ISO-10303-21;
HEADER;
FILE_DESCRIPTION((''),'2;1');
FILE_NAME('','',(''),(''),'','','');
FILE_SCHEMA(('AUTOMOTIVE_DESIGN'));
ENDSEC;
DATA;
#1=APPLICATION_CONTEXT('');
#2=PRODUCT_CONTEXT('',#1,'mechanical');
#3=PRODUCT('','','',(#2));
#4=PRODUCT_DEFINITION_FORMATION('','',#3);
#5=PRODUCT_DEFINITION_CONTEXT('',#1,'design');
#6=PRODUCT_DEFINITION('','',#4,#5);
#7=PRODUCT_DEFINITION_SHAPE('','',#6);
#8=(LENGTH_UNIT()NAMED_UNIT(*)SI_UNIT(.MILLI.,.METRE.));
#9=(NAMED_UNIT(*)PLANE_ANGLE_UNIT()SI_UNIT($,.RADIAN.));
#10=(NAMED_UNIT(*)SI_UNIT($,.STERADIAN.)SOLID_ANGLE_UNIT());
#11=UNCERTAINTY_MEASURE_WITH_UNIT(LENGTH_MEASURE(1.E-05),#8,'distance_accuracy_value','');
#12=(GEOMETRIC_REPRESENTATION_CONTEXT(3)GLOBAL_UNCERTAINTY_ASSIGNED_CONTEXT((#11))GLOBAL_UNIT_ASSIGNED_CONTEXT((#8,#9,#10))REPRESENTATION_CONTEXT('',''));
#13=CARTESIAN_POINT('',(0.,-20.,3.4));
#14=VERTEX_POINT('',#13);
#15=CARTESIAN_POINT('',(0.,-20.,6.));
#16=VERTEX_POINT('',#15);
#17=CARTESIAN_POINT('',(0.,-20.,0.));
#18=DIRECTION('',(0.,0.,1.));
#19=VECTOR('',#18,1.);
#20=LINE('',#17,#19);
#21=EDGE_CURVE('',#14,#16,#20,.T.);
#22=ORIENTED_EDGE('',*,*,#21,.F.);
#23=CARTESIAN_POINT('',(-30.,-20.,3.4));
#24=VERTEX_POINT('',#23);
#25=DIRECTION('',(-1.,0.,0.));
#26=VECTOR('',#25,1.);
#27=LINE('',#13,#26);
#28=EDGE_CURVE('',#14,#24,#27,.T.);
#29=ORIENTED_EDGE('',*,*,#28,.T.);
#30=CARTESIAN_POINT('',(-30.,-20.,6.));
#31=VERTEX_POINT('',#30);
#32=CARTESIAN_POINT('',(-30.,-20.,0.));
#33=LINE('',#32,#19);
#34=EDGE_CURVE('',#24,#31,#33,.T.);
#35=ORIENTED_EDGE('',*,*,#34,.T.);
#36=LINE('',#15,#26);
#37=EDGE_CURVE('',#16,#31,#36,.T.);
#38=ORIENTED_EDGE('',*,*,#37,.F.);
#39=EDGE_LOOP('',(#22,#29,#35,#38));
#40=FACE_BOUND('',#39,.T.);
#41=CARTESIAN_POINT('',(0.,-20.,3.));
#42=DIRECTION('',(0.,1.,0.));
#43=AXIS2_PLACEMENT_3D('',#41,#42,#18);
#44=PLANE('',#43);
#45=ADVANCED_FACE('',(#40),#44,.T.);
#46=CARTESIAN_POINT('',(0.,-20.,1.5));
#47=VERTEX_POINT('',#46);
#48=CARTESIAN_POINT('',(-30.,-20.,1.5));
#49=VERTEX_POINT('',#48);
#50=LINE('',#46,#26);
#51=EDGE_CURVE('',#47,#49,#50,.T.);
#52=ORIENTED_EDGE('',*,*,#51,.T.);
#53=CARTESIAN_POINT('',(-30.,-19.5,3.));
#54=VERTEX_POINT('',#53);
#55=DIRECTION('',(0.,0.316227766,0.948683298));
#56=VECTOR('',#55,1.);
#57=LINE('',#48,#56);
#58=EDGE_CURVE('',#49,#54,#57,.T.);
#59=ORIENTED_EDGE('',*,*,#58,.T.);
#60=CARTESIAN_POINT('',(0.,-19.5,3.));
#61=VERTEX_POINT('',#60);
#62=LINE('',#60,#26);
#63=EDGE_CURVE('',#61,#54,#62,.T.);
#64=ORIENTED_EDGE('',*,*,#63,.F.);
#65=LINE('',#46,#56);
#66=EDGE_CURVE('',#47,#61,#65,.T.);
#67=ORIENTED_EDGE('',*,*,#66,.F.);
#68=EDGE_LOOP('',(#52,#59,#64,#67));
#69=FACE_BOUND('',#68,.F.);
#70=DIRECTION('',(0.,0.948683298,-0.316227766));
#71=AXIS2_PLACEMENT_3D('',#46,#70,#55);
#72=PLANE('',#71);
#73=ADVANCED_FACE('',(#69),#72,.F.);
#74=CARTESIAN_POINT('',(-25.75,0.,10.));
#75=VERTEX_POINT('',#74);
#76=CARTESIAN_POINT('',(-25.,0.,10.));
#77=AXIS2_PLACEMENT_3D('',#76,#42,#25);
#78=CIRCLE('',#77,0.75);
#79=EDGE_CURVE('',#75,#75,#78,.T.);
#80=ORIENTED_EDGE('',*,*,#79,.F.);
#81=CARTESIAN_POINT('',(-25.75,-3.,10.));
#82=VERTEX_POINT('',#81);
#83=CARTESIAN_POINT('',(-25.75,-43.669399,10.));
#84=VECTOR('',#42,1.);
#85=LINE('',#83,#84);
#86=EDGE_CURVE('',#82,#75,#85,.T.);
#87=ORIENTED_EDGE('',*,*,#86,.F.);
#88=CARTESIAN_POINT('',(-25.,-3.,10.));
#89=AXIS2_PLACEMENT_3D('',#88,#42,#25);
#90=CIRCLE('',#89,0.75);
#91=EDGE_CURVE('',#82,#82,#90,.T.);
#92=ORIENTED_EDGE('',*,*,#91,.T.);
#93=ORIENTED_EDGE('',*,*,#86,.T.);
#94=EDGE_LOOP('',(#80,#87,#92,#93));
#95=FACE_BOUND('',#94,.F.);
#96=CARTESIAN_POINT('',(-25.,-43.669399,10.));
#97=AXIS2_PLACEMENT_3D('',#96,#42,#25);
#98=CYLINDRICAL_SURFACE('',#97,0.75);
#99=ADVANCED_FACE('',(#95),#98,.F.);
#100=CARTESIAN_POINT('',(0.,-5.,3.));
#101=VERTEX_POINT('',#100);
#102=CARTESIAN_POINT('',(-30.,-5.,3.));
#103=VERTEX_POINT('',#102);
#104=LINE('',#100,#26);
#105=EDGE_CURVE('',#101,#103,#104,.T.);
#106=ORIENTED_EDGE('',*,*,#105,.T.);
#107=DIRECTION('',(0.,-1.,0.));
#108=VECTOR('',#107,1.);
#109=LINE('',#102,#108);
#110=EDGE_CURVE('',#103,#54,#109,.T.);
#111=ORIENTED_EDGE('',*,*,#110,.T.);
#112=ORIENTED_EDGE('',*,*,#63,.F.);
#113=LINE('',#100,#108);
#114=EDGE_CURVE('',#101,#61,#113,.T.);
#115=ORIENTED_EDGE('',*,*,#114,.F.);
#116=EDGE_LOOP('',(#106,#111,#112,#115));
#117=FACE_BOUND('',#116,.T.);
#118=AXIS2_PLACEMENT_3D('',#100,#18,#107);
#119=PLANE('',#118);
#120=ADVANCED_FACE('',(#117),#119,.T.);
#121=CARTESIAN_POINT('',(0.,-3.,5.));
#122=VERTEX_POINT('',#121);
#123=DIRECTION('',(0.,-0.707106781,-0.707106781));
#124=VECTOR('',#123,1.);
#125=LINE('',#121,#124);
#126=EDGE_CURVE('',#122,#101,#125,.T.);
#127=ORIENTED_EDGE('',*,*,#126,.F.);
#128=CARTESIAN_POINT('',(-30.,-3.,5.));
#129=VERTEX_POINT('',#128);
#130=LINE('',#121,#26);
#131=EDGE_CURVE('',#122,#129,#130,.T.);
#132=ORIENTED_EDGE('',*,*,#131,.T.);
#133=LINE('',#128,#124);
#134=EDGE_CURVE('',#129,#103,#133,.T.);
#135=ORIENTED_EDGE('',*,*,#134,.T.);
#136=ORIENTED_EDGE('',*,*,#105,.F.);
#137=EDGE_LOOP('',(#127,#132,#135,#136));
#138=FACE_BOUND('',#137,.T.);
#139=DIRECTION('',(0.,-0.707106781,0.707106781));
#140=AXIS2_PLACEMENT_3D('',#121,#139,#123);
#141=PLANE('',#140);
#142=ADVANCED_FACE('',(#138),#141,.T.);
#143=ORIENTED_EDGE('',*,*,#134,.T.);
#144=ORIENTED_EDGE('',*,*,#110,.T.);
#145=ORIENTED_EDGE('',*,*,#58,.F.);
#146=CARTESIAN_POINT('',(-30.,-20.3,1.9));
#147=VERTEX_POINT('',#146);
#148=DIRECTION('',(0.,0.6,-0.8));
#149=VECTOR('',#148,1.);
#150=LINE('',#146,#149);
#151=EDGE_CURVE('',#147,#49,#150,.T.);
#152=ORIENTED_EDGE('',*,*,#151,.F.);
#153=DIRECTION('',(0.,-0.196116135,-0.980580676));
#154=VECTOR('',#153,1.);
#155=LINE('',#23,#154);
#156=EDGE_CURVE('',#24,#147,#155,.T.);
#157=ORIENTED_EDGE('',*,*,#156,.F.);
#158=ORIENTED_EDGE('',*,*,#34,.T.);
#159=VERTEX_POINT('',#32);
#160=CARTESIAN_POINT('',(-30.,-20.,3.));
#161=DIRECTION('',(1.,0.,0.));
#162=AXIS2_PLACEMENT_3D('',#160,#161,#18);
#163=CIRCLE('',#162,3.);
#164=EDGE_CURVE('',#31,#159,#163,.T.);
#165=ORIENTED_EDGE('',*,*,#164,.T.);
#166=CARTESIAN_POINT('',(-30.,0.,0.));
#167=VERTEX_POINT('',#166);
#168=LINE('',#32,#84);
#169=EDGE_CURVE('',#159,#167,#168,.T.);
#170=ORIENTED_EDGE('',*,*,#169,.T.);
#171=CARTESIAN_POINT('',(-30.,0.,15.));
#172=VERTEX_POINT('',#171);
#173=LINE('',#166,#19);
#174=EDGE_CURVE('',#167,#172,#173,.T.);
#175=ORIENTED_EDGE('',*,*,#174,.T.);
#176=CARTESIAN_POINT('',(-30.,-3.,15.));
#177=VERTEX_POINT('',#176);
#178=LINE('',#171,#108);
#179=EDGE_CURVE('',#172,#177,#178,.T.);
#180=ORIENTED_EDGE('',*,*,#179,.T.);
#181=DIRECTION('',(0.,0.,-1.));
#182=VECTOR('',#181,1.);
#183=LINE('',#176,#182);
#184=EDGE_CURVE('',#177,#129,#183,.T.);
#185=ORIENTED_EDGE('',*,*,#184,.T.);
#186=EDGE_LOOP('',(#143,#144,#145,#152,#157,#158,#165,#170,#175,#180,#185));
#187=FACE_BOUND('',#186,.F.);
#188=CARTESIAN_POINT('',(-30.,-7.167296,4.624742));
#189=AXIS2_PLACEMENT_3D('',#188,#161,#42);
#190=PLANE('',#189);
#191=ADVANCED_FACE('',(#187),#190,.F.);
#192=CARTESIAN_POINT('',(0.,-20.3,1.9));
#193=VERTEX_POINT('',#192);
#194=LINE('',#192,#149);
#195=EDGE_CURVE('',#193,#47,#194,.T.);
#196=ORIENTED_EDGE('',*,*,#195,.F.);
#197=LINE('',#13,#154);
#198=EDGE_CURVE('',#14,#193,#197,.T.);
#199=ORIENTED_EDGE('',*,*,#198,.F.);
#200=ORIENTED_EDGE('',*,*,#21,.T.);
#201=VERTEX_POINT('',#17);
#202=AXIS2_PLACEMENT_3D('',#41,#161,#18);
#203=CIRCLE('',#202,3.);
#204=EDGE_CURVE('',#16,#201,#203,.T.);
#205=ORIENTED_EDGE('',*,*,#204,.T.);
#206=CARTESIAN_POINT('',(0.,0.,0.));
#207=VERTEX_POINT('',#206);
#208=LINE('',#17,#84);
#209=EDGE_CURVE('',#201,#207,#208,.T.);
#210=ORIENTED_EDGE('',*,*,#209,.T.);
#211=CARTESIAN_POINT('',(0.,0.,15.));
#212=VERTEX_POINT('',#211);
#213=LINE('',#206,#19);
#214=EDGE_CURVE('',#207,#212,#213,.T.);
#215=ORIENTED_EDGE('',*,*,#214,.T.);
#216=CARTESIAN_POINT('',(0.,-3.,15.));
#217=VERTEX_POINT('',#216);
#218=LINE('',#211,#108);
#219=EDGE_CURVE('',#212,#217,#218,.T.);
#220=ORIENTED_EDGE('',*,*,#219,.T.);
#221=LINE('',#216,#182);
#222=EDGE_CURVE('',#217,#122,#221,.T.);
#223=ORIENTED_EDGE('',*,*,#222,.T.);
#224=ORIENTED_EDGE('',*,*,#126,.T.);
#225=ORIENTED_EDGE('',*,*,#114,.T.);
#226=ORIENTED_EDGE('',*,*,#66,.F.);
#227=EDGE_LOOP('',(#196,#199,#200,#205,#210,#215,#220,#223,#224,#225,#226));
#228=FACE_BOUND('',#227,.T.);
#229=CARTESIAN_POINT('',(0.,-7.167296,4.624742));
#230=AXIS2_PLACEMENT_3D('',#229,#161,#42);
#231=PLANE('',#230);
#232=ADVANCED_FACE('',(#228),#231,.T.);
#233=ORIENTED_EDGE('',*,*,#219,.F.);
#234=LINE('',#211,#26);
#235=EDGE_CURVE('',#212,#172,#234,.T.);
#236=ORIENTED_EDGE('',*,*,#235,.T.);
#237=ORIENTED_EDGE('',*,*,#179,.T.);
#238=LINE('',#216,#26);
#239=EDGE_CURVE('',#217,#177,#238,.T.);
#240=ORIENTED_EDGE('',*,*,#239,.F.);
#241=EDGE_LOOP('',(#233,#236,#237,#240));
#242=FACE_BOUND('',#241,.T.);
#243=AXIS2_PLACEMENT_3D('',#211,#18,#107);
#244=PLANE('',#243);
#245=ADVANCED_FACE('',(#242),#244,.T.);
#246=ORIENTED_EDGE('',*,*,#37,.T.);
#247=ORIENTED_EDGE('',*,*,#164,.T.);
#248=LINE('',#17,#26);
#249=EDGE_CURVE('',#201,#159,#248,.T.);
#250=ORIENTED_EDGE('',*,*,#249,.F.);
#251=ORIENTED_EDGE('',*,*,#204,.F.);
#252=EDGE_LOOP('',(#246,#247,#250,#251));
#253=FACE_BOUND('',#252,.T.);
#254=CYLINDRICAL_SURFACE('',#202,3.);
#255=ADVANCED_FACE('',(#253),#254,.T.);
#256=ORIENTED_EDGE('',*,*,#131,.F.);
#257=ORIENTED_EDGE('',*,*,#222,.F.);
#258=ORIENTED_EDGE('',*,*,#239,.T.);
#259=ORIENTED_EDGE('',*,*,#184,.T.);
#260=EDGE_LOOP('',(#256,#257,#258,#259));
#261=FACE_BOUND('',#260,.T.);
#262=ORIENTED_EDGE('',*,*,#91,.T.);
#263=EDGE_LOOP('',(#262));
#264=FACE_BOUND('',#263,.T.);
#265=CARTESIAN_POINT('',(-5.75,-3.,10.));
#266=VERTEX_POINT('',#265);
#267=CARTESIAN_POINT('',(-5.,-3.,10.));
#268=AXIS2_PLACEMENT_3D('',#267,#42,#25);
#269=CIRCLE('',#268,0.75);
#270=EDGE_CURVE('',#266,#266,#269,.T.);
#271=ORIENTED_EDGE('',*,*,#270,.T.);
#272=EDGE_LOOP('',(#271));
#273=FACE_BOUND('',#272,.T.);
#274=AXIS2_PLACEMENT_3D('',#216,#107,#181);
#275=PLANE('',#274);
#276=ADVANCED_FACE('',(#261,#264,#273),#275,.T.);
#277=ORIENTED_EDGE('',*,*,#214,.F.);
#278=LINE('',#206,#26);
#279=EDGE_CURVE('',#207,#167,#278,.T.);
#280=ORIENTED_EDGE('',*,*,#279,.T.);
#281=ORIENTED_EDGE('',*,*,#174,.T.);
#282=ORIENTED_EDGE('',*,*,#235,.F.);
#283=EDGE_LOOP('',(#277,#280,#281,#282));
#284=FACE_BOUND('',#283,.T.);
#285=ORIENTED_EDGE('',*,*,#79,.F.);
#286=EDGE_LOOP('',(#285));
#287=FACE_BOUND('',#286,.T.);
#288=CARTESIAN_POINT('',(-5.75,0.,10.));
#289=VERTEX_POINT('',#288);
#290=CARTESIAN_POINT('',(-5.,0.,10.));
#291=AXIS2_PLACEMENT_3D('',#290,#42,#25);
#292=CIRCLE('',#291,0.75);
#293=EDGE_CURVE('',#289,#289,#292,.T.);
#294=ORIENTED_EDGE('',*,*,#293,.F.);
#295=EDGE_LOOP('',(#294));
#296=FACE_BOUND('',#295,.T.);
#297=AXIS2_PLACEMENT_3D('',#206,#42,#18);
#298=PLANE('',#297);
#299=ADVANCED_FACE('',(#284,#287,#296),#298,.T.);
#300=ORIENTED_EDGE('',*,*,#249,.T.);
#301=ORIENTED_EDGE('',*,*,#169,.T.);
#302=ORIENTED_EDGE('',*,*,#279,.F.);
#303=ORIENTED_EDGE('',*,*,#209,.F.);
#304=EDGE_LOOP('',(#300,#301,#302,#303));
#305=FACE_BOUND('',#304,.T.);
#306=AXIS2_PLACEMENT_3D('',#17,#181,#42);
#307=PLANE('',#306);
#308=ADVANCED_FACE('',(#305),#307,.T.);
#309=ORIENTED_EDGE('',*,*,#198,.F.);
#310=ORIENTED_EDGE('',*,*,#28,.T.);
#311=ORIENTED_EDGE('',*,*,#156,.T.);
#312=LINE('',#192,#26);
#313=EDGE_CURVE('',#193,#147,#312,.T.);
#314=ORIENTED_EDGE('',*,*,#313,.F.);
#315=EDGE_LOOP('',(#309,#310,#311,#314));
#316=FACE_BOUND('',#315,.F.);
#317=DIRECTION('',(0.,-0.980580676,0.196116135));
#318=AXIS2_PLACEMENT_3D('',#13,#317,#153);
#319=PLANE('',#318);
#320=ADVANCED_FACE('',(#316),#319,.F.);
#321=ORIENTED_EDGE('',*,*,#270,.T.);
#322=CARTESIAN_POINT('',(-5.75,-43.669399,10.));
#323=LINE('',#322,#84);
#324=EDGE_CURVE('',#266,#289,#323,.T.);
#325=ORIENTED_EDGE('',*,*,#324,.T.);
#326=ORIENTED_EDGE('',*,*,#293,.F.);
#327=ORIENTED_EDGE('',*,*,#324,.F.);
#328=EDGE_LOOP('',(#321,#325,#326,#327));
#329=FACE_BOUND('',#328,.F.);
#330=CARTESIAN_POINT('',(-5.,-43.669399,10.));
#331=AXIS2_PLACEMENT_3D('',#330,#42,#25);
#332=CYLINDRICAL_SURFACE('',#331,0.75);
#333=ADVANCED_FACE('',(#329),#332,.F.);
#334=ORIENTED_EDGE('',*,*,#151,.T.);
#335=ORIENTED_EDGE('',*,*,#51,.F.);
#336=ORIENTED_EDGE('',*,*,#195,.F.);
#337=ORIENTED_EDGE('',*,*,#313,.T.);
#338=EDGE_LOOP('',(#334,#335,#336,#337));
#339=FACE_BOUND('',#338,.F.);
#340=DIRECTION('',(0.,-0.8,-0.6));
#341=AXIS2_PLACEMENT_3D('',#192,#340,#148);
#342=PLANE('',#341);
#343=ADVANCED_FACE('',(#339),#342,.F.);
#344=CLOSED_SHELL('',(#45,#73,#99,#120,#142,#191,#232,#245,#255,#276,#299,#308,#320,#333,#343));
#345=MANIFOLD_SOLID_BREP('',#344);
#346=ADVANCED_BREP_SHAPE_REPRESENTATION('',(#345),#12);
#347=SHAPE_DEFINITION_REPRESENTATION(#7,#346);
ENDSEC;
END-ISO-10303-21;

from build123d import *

# Parameters (mm, degrees)
F1_DEPTH = 30
F3_D     = 1.5
F5_DEPTH = 30


with BuildPart() as f1:
    # F0 (on Right) → F1 (new body)
    with BuildSketch(Plane.YZ):
        Polygon((-20, 0), (0, 0), (0, 15), (-3, 15), (-3, 5), (-5, 3), (-20, 3), align=None)
        with BuildLine():
            ThreePointArc((-20, 6), (-23, 3), (-20, 0))
            Line((-20, 0), (-20, 3))
            Line((-20, 3), (-20, 6))
        make_face()
    extrude(amount=-F1_DEPTH)

    # F3 (through all)
    with Locations(Plane.XZ.offset(3)):
        with Locations((-25, 10), (-5, 10)):
            Hole(F3_D / 2)

    # F4 (on face) → F5 (cut)
    with BuildSketch(Plane.YZ):
        Polygon((-19.5, 3), (-20, 3), (-20, 1.5), align=None)
        Polygon((-20, 1.5), (-20, 3), (-20, 3.4), (-20.3, 1.9), align=None)
    extrude(amount=-F5_DEPTH, mode=Mode.SUBTRACT)


solid = f1.part
